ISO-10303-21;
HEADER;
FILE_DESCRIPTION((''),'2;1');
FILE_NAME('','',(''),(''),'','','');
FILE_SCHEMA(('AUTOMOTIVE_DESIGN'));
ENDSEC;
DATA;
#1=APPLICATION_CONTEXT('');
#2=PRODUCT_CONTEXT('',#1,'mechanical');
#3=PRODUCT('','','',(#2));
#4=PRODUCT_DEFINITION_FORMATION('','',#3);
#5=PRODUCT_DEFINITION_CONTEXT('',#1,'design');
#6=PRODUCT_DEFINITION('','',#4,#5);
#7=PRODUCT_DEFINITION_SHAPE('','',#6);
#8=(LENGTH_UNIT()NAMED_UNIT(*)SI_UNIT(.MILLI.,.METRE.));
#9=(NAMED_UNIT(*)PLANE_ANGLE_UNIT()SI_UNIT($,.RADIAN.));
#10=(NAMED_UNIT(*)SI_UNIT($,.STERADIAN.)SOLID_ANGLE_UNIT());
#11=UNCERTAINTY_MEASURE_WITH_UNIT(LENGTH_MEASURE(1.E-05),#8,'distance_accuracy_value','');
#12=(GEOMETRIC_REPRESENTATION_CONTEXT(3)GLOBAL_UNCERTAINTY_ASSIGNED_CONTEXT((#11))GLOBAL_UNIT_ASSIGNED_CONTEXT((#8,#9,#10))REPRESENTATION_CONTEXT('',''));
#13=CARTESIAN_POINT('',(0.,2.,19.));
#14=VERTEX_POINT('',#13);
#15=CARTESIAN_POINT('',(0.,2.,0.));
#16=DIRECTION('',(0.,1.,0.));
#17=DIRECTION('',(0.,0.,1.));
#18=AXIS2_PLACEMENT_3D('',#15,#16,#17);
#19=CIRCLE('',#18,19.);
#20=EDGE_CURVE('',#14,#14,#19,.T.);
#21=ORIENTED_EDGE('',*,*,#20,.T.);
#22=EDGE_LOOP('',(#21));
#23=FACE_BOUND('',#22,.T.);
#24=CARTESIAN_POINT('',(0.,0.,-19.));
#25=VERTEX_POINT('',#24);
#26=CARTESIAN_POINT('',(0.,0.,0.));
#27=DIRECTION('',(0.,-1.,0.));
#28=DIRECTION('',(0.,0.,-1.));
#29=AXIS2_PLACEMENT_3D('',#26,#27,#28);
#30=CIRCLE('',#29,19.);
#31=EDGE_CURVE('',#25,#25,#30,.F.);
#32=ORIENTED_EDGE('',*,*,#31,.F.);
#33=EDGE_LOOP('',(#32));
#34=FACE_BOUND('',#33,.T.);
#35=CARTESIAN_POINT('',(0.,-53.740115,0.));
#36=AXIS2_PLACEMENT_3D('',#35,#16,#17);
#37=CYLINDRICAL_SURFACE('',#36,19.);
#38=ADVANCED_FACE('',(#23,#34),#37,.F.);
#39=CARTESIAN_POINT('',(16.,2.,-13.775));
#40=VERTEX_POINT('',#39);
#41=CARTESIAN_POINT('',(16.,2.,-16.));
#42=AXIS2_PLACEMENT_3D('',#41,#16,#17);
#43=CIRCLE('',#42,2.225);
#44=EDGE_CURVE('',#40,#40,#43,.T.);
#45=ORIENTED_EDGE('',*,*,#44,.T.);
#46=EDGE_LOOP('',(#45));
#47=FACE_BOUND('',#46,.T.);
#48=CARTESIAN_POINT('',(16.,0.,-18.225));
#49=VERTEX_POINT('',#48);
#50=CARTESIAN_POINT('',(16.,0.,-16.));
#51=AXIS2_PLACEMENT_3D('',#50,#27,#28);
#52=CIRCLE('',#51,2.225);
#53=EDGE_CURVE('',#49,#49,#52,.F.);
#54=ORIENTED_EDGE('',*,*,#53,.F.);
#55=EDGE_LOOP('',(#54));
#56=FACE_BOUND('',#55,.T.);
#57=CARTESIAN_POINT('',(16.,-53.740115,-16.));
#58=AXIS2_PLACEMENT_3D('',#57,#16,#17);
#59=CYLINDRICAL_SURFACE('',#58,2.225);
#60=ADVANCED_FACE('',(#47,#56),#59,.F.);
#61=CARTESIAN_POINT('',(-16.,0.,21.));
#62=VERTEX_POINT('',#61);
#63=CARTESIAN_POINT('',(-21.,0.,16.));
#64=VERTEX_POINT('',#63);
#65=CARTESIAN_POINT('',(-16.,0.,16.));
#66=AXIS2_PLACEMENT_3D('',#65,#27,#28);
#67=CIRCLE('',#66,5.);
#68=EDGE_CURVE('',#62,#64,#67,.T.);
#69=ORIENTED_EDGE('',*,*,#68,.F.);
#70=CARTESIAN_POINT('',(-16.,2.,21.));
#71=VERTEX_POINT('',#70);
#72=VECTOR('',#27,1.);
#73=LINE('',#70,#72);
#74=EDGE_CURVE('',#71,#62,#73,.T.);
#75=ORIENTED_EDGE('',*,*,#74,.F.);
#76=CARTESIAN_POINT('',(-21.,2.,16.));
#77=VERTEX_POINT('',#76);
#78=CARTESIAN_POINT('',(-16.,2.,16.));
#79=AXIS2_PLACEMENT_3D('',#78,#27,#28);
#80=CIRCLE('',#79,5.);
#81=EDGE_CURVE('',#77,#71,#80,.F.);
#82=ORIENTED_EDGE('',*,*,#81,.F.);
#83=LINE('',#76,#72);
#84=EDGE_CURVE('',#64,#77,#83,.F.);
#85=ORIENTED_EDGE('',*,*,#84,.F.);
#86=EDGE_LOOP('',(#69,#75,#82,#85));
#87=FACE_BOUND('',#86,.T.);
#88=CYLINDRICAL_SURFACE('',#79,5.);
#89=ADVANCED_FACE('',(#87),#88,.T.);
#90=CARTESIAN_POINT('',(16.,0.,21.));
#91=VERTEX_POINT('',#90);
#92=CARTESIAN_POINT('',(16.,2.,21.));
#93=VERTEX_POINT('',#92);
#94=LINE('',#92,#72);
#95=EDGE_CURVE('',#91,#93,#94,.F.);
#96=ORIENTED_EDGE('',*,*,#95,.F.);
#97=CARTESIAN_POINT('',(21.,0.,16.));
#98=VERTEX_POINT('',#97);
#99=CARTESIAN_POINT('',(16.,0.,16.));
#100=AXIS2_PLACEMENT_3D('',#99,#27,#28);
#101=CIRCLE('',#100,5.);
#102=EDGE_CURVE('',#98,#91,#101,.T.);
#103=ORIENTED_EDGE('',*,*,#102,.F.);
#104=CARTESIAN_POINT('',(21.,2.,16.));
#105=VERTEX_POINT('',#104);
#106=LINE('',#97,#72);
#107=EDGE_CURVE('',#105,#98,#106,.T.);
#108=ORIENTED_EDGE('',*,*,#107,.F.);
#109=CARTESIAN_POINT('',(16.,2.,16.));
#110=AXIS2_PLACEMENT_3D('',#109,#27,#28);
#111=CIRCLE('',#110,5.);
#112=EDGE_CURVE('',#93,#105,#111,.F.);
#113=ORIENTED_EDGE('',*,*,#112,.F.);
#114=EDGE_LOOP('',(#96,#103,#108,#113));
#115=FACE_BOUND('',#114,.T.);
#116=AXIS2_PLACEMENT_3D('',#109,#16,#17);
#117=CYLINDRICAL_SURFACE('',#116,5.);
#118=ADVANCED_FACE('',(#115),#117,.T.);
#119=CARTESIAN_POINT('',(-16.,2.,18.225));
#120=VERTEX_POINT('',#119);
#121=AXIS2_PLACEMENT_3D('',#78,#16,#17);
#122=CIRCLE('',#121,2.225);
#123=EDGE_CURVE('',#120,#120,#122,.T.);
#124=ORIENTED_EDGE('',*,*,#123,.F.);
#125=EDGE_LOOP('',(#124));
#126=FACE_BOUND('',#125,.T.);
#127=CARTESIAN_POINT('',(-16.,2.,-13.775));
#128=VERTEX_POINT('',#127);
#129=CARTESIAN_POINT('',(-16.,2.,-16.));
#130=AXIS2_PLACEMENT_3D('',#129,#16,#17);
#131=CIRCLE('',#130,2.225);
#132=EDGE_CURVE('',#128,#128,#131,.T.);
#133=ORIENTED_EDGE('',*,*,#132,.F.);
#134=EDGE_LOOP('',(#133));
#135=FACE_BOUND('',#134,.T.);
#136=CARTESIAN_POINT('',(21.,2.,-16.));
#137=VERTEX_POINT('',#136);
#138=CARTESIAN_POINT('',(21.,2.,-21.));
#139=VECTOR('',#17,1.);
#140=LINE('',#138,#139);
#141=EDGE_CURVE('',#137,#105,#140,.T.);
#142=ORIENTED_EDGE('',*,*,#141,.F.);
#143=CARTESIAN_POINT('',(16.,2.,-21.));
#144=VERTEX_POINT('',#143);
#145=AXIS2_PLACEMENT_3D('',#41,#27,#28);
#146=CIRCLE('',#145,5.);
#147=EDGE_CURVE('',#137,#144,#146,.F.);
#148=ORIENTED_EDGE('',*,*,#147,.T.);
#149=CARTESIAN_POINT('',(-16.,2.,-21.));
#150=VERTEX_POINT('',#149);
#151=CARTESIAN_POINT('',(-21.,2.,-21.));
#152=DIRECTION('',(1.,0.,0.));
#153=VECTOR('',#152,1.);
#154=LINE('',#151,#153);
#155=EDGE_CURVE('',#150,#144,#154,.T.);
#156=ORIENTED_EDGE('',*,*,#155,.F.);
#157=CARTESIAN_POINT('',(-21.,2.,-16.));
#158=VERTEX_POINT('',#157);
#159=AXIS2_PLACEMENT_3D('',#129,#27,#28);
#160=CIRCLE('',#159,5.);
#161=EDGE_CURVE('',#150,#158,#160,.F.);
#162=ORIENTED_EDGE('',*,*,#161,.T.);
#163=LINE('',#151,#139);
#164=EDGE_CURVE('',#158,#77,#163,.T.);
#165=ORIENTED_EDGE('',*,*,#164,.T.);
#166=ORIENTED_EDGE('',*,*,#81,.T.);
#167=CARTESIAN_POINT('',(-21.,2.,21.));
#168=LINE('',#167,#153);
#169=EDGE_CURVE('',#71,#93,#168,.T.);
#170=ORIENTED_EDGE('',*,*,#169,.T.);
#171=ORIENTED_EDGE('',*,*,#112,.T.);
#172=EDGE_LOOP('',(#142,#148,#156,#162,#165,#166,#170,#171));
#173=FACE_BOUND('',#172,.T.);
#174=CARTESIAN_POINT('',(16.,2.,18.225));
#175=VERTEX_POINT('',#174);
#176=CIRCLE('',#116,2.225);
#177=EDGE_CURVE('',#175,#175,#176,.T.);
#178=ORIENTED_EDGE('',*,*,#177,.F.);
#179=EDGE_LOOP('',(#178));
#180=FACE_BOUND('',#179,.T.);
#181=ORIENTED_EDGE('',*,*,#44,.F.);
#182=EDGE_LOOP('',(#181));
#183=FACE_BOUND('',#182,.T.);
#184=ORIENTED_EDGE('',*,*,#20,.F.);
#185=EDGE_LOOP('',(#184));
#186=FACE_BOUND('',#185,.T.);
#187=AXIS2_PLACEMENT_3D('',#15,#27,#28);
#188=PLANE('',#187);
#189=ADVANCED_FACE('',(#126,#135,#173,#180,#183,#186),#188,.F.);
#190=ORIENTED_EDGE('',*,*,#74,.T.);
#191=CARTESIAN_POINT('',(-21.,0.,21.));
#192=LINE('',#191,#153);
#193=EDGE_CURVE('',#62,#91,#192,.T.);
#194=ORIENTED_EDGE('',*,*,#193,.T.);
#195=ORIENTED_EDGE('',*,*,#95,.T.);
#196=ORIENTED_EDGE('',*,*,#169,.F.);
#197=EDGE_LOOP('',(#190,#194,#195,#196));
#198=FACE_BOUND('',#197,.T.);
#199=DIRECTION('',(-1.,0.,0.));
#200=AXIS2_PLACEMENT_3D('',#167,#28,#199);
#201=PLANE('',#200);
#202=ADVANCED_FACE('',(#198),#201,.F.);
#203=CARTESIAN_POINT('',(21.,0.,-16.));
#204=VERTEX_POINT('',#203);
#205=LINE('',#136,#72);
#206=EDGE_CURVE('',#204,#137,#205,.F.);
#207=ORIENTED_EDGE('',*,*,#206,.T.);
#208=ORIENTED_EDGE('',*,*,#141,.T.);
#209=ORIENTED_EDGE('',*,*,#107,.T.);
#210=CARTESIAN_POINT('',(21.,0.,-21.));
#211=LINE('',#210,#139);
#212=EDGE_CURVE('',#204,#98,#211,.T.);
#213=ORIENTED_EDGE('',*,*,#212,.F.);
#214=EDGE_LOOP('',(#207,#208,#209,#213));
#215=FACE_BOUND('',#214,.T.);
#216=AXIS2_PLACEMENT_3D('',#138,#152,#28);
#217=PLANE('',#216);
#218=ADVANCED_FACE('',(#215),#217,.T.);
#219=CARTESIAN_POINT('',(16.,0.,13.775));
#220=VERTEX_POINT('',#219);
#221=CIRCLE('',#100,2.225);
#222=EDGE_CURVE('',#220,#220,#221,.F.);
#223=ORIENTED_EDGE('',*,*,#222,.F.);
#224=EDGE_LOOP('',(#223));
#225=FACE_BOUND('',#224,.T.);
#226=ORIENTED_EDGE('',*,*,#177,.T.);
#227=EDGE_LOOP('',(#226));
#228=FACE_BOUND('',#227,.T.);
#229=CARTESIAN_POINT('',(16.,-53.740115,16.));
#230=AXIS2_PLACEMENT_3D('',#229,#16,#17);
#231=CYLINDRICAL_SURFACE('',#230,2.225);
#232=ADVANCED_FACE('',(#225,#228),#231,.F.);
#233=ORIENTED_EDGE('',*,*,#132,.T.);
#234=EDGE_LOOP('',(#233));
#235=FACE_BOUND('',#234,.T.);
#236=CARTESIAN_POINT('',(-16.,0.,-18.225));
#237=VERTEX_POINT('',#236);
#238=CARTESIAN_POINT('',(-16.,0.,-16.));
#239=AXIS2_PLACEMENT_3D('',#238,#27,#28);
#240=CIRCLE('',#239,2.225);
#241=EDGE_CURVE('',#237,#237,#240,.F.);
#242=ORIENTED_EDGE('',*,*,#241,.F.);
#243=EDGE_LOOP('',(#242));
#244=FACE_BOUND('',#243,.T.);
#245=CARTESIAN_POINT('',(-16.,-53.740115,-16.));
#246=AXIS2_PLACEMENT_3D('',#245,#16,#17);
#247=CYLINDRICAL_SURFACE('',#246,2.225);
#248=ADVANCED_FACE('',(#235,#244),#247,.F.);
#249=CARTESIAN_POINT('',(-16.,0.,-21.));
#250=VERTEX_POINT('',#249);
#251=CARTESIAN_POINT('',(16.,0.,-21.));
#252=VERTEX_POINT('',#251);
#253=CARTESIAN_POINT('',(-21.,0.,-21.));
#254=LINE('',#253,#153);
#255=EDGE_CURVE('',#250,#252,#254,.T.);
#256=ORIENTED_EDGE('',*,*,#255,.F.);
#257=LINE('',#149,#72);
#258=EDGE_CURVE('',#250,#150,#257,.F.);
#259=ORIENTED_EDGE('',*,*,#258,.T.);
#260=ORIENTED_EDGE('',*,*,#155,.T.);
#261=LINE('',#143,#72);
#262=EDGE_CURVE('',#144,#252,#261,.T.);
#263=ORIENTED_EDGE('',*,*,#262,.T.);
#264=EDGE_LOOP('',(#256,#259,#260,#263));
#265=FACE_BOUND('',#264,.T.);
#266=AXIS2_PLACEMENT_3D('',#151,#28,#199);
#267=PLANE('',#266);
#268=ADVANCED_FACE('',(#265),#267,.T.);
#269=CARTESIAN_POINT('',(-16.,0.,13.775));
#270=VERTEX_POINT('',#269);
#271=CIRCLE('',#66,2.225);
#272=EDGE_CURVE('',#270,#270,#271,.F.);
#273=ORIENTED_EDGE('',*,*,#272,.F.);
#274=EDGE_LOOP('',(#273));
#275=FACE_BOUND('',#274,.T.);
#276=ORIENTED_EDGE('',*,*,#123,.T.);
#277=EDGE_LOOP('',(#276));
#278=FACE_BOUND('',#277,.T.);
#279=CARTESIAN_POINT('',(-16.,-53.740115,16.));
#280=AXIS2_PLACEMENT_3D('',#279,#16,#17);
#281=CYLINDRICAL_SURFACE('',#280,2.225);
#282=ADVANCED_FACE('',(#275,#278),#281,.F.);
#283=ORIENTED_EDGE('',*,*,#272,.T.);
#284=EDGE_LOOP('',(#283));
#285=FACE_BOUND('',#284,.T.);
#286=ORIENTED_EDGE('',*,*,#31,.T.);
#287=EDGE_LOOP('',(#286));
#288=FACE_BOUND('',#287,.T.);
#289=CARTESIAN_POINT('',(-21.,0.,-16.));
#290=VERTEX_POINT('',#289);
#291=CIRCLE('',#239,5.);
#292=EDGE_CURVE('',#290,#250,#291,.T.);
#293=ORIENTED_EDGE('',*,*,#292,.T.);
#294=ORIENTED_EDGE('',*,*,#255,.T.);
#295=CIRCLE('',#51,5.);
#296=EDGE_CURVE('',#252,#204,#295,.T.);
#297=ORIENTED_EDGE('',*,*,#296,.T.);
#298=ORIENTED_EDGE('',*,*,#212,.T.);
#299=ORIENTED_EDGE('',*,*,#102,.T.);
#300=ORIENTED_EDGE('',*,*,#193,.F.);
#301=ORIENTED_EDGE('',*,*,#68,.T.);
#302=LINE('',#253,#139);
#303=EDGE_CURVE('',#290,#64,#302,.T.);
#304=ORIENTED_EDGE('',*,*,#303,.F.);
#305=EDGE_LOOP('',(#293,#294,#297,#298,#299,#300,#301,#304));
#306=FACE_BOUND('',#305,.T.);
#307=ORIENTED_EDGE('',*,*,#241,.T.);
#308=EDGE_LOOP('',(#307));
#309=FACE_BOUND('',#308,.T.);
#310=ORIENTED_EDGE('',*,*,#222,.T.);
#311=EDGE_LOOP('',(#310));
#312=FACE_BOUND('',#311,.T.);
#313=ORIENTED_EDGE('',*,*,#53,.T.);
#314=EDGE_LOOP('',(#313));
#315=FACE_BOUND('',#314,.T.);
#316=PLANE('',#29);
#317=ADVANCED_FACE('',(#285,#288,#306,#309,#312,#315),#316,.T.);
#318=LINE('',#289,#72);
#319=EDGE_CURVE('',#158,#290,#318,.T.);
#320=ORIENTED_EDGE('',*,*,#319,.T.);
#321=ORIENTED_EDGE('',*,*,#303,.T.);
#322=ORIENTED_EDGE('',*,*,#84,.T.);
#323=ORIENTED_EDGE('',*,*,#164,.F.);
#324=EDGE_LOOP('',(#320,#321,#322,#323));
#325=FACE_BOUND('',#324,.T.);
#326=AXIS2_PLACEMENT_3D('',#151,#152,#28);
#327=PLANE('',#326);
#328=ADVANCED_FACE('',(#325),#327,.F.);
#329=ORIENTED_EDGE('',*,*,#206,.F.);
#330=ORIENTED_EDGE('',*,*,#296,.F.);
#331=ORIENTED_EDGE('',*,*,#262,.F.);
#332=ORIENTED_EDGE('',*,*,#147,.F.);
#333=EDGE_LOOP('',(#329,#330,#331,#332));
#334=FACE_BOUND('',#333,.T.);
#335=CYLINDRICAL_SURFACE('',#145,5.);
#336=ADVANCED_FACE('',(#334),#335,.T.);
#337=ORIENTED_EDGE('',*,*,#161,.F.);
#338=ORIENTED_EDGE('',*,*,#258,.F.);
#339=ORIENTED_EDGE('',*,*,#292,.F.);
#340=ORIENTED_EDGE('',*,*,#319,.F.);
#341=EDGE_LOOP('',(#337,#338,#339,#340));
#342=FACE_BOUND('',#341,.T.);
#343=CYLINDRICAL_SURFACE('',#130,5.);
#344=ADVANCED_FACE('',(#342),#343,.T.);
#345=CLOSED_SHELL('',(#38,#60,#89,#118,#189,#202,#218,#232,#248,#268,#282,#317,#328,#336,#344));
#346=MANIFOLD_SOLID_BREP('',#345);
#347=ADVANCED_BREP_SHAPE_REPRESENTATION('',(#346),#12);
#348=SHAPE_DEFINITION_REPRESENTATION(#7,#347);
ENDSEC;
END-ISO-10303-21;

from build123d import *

# Parameters (mm, degrees)
SKETCH1_W           = 42
SKETCH1_H           = 42
BOSS_EXTRUDE1_DEPTH = 2
SKETCH2_R           = 2.225
SKETCH2_R_2         = 19
CUT_EXTRUDE1_DEPTH  = 2
FILLET1_R           = 5


with BuildPart() as part:
    # Sketch1 → Boss-Extrude1 (new body)
    with BuildSketch(Plane(origin=(0, 0, 0), x_dir=(1, 0, 0), z_dir=(0, 1, 0))):
        Rectangle(SKETCH1_W, SKETCH1_H)
    extrude(amount=BOSS_EXTRUDE1_DEPTH)

    # Sketch2 → Cut-Extrude1 (cut)
    with BuildSketch(Plane(origin=(0, 2, 0), x_dir=(1, 0, 0), z_dir=(0, 1, 0))):
        with Locations((-16, -16)):
            Circle(SKETCH2_R)
        with Locations((-16, 16)):
            Circle(SKETCH2_R)
        with Locations((16, 16)):
            Circle(SKETCH2_R)
        with Locations((16, -16)):
            Circle(SKETCH2_R)
        Circle(SKETCH2_R_2)
    extrude(amount=-CUT_EXTRUDE1_DEPTH, mode=Mode.SUBTRACT)

    # Fillet1
    fillet1_edges = [part.edges().sort_by_distance(p)[0] for p in [
        (-21, 1, 21),
        (-21, 1, -21),
        (21, 1, -21),
        (21, 1, 21),
    ]]
    fillet(fillet1_edges, radius=FILLET1_R)


solid = part.part
